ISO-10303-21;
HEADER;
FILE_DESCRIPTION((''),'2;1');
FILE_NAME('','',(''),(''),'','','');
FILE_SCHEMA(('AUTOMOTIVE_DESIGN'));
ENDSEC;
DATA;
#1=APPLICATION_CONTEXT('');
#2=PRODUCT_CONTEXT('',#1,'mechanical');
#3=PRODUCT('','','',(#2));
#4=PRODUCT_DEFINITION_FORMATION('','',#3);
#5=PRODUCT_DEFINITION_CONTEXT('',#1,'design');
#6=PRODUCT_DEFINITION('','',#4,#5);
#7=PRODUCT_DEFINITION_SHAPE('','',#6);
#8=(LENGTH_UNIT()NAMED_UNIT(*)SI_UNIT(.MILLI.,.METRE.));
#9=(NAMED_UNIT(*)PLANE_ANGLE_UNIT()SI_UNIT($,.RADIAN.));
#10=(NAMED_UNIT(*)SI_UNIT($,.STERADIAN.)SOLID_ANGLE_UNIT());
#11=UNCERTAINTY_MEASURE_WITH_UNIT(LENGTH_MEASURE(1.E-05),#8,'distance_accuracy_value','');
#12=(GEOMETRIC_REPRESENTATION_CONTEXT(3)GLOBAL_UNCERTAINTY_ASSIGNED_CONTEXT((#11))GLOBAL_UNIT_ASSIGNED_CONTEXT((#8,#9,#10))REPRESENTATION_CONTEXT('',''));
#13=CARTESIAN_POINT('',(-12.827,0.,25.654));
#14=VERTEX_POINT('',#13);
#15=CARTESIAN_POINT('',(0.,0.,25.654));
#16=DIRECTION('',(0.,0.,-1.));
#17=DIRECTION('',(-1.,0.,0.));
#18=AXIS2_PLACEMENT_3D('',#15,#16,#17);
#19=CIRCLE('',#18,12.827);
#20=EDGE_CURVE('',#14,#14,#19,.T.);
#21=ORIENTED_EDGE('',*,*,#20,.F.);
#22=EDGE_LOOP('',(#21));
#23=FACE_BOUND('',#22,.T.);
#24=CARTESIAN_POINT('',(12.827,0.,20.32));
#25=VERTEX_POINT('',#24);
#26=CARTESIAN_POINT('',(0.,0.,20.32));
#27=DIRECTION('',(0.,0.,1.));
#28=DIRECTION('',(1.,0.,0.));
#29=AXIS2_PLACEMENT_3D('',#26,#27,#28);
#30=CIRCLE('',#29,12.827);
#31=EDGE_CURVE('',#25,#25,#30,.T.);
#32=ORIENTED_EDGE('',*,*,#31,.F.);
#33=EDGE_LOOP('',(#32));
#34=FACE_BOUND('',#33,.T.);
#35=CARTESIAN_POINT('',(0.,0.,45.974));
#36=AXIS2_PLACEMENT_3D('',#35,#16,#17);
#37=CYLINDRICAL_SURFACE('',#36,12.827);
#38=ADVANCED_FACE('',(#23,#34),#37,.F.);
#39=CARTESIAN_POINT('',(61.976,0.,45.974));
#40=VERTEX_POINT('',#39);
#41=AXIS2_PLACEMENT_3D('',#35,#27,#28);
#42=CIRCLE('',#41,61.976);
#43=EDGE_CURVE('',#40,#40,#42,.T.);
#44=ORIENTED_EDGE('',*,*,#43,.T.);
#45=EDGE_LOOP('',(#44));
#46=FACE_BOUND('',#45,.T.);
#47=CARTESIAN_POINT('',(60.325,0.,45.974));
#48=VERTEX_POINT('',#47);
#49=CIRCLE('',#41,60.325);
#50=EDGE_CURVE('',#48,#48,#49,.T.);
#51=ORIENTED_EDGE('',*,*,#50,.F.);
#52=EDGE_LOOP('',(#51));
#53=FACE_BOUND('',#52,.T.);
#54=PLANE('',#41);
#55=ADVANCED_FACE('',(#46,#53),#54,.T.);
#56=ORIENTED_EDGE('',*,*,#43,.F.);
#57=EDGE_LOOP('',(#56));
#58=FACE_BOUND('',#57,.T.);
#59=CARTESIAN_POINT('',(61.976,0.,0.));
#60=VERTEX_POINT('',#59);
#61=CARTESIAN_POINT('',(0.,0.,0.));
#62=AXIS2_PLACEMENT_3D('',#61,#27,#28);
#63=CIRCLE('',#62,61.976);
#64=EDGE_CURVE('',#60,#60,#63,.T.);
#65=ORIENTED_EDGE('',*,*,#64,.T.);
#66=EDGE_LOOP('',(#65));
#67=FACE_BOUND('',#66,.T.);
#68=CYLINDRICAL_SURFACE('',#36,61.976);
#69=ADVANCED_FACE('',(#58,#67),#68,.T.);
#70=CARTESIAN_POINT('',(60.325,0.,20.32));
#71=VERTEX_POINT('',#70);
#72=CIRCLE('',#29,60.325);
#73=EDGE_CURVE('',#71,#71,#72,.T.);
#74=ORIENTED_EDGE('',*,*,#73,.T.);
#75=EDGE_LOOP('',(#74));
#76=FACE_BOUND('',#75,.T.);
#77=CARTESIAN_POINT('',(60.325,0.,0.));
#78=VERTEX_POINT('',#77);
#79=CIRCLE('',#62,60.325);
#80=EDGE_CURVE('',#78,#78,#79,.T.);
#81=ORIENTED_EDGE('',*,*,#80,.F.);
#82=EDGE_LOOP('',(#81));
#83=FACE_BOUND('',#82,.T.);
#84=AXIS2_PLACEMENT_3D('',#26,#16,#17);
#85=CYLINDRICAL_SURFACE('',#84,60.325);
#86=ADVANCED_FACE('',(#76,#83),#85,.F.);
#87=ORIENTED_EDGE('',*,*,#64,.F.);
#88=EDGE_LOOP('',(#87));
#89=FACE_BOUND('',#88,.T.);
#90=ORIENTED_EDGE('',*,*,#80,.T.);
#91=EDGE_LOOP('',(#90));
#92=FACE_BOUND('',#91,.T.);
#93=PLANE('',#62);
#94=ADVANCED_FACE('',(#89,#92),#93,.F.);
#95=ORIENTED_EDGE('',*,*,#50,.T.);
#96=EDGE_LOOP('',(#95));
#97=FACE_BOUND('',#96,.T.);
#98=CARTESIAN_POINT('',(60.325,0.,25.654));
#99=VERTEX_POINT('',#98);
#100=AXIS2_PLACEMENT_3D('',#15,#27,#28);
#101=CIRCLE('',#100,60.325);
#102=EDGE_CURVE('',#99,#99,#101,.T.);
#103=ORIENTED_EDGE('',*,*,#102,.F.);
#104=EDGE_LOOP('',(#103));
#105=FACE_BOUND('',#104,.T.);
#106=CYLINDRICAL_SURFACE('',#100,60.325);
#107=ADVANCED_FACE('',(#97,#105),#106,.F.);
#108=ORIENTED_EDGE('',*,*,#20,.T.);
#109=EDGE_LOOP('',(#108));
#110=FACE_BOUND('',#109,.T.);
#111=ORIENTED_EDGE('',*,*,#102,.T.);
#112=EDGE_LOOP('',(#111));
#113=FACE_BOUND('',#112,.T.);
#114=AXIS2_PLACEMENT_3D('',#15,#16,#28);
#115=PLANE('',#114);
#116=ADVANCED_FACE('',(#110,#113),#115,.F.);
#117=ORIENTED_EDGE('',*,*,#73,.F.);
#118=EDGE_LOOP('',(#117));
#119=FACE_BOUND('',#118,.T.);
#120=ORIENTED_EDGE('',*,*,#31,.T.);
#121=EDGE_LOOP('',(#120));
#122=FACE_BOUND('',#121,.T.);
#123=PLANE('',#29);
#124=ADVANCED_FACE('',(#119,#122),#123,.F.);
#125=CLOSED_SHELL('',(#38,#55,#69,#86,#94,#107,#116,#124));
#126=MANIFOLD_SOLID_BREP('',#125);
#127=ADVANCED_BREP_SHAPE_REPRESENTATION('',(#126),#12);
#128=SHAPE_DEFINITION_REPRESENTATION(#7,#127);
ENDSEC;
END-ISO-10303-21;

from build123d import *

# Parameters (mm, degrees)
SKETCH1_R           = 61.976
SKETCH1_R_2         = 12.827
BOSS_EXTRUDE1_DEPTH = 45.974
SKETCH2_R           = 60.325
CUT_EXTRUDE1_DEPTH  = 20.32


with BuildPart() as part:
    # Sketch1 → Boss-Extrude1 (new body)
    with BuildSketch(Plane.XY):
        Circle(SKETCH1_R)
        Circle(SKETCH1_R_2, mode=Mode.SUBTRACT)
    extrude(amount=BOSS_EXTRUDE1_DEPTH)

    # Sketch2 → Cut-Extrude1 (cut)
    with BuildSketch(Plane.XY):
        Circle(SKETCH2_R)
    cut_extrude1 = extrude(amount=CUT_EXTRUDE1_DEPTH, mode=Mode.SUBTRACT)

    # Mirror1: Cut-Extrude1 across plane
    add(cut_extrude1.mirror(Plane.XY.offset(22.987)), mode=Mode.SUBTRACT)


solid = part.part
